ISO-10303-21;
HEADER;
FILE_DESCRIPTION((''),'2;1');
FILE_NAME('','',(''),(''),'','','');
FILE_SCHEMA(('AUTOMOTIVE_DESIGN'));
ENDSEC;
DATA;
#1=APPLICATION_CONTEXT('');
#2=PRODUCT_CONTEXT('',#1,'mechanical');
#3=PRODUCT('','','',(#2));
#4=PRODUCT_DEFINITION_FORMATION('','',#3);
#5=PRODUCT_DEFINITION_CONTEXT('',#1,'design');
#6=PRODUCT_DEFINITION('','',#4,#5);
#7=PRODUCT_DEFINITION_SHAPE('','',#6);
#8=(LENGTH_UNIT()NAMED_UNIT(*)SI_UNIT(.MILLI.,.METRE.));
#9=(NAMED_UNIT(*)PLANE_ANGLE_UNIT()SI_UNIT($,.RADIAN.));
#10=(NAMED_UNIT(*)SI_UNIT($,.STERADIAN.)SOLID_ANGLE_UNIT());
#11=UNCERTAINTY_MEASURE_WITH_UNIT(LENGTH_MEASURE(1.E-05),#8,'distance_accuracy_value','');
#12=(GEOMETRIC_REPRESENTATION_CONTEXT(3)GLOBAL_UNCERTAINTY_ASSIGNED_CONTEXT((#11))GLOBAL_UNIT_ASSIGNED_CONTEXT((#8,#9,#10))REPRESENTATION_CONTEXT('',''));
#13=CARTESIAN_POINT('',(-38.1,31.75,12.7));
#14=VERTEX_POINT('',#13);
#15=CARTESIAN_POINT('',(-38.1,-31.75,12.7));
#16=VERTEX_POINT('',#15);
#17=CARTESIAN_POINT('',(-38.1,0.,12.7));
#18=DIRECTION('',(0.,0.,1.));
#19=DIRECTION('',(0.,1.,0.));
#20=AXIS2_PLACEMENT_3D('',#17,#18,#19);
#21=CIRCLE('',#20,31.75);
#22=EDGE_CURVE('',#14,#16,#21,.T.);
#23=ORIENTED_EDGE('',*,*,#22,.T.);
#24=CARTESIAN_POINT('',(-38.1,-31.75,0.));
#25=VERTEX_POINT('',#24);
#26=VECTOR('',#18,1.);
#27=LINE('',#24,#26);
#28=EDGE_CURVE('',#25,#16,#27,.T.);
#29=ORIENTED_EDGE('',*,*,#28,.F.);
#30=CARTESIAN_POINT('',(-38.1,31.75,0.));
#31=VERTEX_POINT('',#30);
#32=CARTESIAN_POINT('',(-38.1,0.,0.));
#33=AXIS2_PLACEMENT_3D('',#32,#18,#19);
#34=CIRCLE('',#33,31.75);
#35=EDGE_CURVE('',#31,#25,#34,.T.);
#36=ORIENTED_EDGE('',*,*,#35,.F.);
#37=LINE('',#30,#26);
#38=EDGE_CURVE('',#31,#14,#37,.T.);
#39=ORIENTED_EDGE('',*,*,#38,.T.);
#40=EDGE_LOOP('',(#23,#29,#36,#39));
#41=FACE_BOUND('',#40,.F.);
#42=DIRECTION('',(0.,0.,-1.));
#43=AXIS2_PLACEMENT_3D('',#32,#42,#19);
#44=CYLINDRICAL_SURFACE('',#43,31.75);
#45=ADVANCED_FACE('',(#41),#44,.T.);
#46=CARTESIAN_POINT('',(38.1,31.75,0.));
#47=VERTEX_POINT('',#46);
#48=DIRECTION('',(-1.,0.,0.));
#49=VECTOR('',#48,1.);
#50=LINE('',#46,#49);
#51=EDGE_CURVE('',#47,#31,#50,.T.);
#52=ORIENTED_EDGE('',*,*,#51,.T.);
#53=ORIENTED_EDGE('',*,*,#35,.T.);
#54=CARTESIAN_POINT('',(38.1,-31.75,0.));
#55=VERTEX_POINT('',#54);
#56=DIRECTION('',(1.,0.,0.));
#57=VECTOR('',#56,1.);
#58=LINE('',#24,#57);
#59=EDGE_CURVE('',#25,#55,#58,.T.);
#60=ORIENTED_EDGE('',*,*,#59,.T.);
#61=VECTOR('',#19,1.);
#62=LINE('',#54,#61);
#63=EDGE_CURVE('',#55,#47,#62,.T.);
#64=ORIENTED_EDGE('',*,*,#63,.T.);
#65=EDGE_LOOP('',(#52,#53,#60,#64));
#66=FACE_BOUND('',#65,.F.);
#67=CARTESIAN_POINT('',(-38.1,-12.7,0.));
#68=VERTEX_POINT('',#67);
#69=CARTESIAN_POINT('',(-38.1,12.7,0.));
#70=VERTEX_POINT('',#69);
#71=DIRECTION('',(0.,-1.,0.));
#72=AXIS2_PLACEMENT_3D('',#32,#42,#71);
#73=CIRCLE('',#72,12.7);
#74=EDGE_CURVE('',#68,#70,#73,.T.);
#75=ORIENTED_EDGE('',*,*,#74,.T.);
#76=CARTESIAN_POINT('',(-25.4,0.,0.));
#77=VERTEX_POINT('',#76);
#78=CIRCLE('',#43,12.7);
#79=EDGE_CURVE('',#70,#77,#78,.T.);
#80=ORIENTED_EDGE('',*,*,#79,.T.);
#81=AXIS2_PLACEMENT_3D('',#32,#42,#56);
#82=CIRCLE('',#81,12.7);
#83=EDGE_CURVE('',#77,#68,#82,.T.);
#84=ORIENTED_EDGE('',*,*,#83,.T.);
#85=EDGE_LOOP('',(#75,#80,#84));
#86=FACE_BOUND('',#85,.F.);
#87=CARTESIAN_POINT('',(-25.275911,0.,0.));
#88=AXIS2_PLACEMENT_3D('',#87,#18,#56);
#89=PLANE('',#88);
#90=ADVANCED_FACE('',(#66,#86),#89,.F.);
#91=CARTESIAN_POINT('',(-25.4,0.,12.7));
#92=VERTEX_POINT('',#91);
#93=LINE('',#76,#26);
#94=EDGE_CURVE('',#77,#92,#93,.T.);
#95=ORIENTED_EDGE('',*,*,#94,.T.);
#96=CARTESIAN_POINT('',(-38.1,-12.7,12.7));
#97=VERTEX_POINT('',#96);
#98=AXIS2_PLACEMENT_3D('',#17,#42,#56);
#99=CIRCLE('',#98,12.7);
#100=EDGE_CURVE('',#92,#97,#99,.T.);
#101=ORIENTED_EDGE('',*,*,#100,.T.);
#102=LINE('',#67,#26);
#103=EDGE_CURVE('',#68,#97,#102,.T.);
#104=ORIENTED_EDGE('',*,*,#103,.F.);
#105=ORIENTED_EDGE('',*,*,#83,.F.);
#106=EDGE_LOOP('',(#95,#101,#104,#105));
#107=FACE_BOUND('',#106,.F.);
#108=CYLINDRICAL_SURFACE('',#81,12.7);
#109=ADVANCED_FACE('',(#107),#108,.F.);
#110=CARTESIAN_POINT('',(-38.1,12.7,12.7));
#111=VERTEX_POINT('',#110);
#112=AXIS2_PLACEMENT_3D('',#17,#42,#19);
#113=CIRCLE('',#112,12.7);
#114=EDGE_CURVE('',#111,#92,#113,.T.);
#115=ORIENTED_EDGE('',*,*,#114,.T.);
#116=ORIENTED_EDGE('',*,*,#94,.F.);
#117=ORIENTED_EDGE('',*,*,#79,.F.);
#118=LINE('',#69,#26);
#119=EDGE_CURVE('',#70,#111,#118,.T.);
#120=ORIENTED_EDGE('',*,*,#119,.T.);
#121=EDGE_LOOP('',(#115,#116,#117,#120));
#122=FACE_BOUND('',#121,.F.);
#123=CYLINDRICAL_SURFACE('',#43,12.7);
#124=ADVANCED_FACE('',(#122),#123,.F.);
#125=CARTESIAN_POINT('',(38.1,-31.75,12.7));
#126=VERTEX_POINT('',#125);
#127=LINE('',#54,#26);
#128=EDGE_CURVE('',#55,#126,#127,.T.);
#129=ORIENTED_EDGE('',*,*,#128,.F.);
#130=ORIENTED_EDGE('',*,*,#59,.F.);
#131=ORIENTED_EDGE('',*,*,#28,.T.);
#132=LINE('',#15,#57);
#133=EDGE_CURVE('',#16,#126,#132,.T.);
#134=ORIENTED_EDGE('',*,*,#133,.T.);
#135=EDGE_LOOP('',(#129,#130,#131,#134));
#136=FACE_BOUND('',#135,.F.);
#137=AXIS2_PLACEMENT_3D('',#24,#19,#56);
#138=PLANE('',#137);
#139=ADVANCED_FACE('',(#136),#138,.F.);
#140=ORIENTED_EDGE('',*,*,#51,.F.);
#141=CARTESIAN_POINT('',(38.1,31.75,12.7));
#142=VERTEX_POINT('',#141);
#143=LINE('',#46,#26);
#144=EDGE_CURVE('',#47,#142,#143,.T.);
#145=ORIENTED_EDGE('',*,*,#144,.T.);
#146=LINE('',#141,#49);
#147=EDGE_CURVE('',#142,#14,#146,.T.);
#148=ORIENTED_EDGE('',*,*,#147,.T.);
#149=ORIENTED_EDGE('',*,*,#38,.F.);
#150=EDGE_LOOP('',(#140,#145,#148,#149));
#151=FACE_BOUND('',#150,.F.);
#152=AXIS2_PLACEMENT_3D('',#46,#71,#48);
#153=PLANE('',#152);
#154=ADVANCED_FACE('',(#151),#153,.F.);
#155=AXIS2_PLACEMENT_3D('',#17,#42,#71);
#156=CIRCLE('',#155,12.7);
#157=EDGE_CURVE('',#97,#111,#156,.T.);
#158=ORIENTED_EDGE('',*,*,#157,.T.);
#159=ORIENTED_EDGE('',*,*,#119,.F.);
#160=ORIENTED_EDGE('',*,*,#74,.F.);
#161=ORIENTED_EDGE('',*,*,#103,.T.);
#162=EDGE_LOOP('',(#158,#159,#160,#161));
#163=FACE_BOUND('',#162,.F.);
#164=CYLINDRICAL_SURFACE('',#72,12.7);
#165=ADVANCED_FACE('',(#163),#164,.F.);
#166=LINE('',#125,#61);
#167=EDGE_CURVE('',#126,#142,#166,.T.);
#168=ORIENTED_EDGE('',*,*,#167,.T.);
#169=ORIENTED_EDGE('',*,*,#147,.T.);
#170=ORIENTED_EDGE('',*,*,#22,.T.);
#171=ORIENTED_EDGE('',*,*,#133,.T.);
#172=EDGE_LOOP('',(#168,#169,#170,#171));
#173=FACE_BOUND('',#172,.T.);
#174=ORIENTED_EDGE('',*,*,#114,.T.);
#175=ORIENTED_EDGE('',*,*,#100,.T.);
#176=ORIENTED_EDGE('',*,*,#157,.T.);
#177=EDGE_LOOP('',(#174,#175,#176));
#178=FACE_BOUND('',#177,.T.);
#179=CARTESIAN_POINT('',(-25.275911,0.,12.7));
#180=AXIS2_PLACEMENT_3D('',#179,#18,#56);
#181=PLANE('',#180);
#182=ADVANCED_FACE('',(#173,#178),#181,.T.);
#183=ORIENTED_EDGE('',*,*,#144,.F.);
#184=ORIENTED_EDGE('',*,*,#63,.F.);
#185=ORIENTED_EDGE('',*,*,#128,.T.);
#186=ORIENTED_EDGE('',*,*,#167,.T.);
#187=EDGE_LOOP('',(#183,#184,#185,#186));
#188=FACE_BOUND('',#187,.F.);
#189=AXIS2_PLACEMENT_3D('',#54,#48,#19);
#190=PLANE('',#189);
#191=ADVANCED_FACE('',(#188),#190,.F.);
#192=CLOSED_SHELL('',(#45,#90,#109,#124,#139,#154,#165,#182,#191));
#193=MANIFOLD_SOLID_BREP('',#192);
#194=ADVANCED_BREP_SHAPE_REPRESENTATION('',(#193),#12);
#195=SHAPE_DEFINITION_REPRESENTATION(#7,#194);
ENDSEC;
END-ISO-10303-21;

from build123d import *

# Parameters (mm, degrees)
F1_DEPTH = 12.7


with BuildPart() as f1:
    # F0 (on Top) → F1 (new body)
    with BuildSketch(Plane.XY):
        with BuildLine():
            ThreePointArc((-6.35, 0), (-15.6493596973, 22.4506403027), (-38.1, 31.75))
            Line((-38.1, 31.75), (-38.1, 12.7))
            ThreePointArc((-38.1, 12.7), (-29.1197438789, 8.9802561211), (-25.4, 0))
            ThreePointArc((-25.4, 0), (-29.1197438789, -8.9802561211), (-38.1, -12.7))
            Line((-38.1, -12.7), (-38.1, -31.75))
            ThreePointArc((-38.1, -31.75), (-15.6493596973, -22.4506403027), (-6.35, 0))
        make_face()
        with BuildLine():
            Line((38.1, 31.75), (-38.1, 31.75))
            ThreePointArc((-38.1, 31.75), (-15.6493596973, 22.4506403027), (-6.35, 0))
            ThreePointArc((-6.35, 0), (-15.6493596973, -22.4506403027), (-38.1, -31.75))
            Line((-38.1, -31.75), (38.1, -31.75))
            Line((38.1, -31.75), (38.1, 31.75))
        make_face()
        with BuildLine():
            Line((-38.1, 12.7), (-38.1, 31.75))
            ThreePointArc((-38.1, 31.75), (-69.85, 0), (-38.1, -31.75))
            Line((-38.1, -31.75), (-38.1, -12.7))
            ThreePointArc((-38.1, -12.7), (-50.8, 0), (-38.1, 12.7))
        make_face()
    extrude(amount=F1_DEPTH)


solid = f1.part
